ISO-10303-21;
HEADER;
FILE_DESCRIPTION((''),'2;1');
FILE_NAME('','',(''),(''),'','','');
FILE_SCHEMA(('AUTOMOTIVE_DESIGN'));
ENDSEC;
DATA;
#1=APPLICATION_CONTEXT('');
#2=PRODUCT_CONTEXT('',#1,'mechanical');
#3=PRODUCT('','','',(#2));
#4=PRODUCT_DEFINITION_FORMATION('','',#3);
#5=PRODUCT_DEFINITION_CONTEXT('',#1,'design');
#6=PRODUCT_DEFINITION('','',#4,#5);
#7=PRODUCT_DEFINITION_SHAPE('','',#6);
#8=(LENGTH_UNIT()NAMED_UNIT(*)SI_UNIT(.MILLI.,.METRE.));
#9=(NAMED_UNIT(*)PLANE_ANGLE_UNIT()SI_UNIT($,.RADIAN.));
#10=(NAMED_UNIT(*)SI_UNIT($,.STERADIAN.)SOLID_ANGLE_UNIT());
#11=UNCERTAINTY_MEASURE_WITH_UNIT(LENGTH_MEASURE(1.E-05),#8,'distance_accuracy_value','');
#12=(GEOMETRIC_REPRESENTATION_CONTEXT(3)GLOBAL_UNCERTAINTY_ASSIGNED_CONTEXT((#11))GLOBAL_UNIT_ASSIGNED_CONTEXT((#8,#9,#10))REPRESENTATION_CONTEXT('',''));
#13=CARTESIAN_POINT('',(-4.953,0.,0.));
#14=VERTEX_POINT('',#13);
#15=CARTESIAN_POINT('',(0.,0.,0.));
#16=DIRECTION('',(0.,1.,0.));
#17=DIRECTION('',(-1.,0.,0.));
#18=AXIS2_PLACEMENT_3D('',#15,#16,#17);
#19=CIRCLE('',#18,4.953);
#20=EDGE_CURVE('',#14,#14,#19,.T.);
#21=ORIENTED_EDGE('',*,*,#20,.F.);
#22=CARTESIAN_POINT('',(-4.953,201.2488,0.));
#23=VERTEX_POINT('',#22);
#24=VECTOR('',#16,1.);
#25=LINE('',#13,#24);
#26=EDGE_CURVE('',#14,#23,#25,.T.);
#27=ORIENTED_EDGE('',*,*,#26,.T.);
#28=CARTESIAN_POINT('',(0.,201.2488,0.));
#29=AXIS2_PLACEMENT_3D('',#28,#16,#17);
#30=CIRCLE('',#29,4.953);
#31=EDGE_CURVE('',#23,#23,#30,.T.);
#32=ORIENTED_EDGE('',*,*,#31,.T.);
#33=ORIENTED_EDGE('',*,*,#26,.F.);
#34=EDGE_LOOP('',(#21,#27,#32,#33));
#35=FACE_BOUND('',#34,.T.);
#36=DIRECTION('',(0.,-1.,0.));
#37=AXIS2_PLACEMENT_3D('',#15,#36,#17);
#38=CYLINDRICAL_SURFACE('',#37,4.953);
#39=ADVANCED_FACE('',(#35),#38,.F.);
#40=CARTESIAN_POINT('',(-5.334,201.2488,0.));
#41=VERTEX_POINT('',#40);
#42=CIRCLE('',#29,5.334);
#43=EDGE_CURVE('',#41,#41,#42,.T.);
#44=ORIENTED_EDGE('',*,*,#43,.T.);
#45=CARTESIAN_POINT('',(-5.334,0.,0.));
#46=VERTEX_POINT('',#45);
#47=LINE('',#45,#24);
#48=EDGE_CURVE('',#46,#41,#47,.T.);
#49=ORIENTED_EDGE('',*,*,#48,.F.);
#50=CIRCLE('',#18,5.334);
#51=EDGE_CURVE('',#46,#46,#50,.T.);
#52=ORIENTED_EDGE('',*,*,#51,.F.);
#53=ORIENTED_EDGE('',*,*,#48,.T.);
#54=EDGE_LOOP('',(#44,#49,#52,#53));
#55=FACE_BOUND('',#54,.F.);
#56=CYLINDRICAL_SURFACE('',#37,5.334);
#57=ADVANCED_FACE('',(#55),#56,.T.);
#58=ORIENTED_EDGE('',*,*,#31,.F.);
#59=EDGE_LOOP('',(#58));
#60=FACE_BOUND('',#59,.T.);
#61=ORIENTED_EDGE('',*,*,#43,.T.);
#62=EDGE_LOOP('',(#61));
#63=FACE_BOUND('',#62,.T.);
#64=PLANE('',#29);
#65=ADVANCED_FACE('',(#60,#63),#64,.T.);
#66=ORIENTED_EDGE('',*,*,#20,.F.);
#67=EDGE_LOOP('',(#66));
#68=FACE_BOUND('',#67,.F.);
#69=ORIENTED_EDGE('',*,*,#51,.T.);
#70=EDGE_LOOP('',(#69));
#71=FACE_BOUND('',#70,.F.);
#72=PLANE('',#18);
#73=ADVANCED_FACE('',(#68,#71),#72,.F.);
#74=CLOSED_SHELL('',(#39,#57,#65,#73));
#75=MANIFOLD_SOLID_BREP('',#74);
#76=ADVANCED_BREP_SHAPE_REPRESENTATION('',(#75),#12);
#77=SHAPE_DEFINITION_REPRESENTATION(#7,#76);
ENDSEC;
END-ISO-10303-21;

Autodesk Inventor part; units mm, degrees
ref_plane "YZ Plane" through (0, 0, 0) normal (1, 0, 0) x (0, 1, 0)
ref_plane "XZ Plane" through (0, 0, 0) normal (0, 1, 0) x (-1, 0, 0)
ref_plane "XY Plane" through (0, 0, 0) normal (0, 0, 1) x (1, 0, 0)
sketch "Sketch1" plane through (0, 0, 0) normal (0, 1, 0) x (-1, 0, 0)
  circle A0 centre (0, 0) radius 5.334
  circle A1 centre (0, 0) radius 4.953
  dimension "d0" = 10.668
  dimension "d1" = 9.906
extrude "Extrusion1" add sketch "Sketch1" along normal blind 201.2488
properties part number "feet type 3 part 3 2k8 length SHORT" material "CFRP"
